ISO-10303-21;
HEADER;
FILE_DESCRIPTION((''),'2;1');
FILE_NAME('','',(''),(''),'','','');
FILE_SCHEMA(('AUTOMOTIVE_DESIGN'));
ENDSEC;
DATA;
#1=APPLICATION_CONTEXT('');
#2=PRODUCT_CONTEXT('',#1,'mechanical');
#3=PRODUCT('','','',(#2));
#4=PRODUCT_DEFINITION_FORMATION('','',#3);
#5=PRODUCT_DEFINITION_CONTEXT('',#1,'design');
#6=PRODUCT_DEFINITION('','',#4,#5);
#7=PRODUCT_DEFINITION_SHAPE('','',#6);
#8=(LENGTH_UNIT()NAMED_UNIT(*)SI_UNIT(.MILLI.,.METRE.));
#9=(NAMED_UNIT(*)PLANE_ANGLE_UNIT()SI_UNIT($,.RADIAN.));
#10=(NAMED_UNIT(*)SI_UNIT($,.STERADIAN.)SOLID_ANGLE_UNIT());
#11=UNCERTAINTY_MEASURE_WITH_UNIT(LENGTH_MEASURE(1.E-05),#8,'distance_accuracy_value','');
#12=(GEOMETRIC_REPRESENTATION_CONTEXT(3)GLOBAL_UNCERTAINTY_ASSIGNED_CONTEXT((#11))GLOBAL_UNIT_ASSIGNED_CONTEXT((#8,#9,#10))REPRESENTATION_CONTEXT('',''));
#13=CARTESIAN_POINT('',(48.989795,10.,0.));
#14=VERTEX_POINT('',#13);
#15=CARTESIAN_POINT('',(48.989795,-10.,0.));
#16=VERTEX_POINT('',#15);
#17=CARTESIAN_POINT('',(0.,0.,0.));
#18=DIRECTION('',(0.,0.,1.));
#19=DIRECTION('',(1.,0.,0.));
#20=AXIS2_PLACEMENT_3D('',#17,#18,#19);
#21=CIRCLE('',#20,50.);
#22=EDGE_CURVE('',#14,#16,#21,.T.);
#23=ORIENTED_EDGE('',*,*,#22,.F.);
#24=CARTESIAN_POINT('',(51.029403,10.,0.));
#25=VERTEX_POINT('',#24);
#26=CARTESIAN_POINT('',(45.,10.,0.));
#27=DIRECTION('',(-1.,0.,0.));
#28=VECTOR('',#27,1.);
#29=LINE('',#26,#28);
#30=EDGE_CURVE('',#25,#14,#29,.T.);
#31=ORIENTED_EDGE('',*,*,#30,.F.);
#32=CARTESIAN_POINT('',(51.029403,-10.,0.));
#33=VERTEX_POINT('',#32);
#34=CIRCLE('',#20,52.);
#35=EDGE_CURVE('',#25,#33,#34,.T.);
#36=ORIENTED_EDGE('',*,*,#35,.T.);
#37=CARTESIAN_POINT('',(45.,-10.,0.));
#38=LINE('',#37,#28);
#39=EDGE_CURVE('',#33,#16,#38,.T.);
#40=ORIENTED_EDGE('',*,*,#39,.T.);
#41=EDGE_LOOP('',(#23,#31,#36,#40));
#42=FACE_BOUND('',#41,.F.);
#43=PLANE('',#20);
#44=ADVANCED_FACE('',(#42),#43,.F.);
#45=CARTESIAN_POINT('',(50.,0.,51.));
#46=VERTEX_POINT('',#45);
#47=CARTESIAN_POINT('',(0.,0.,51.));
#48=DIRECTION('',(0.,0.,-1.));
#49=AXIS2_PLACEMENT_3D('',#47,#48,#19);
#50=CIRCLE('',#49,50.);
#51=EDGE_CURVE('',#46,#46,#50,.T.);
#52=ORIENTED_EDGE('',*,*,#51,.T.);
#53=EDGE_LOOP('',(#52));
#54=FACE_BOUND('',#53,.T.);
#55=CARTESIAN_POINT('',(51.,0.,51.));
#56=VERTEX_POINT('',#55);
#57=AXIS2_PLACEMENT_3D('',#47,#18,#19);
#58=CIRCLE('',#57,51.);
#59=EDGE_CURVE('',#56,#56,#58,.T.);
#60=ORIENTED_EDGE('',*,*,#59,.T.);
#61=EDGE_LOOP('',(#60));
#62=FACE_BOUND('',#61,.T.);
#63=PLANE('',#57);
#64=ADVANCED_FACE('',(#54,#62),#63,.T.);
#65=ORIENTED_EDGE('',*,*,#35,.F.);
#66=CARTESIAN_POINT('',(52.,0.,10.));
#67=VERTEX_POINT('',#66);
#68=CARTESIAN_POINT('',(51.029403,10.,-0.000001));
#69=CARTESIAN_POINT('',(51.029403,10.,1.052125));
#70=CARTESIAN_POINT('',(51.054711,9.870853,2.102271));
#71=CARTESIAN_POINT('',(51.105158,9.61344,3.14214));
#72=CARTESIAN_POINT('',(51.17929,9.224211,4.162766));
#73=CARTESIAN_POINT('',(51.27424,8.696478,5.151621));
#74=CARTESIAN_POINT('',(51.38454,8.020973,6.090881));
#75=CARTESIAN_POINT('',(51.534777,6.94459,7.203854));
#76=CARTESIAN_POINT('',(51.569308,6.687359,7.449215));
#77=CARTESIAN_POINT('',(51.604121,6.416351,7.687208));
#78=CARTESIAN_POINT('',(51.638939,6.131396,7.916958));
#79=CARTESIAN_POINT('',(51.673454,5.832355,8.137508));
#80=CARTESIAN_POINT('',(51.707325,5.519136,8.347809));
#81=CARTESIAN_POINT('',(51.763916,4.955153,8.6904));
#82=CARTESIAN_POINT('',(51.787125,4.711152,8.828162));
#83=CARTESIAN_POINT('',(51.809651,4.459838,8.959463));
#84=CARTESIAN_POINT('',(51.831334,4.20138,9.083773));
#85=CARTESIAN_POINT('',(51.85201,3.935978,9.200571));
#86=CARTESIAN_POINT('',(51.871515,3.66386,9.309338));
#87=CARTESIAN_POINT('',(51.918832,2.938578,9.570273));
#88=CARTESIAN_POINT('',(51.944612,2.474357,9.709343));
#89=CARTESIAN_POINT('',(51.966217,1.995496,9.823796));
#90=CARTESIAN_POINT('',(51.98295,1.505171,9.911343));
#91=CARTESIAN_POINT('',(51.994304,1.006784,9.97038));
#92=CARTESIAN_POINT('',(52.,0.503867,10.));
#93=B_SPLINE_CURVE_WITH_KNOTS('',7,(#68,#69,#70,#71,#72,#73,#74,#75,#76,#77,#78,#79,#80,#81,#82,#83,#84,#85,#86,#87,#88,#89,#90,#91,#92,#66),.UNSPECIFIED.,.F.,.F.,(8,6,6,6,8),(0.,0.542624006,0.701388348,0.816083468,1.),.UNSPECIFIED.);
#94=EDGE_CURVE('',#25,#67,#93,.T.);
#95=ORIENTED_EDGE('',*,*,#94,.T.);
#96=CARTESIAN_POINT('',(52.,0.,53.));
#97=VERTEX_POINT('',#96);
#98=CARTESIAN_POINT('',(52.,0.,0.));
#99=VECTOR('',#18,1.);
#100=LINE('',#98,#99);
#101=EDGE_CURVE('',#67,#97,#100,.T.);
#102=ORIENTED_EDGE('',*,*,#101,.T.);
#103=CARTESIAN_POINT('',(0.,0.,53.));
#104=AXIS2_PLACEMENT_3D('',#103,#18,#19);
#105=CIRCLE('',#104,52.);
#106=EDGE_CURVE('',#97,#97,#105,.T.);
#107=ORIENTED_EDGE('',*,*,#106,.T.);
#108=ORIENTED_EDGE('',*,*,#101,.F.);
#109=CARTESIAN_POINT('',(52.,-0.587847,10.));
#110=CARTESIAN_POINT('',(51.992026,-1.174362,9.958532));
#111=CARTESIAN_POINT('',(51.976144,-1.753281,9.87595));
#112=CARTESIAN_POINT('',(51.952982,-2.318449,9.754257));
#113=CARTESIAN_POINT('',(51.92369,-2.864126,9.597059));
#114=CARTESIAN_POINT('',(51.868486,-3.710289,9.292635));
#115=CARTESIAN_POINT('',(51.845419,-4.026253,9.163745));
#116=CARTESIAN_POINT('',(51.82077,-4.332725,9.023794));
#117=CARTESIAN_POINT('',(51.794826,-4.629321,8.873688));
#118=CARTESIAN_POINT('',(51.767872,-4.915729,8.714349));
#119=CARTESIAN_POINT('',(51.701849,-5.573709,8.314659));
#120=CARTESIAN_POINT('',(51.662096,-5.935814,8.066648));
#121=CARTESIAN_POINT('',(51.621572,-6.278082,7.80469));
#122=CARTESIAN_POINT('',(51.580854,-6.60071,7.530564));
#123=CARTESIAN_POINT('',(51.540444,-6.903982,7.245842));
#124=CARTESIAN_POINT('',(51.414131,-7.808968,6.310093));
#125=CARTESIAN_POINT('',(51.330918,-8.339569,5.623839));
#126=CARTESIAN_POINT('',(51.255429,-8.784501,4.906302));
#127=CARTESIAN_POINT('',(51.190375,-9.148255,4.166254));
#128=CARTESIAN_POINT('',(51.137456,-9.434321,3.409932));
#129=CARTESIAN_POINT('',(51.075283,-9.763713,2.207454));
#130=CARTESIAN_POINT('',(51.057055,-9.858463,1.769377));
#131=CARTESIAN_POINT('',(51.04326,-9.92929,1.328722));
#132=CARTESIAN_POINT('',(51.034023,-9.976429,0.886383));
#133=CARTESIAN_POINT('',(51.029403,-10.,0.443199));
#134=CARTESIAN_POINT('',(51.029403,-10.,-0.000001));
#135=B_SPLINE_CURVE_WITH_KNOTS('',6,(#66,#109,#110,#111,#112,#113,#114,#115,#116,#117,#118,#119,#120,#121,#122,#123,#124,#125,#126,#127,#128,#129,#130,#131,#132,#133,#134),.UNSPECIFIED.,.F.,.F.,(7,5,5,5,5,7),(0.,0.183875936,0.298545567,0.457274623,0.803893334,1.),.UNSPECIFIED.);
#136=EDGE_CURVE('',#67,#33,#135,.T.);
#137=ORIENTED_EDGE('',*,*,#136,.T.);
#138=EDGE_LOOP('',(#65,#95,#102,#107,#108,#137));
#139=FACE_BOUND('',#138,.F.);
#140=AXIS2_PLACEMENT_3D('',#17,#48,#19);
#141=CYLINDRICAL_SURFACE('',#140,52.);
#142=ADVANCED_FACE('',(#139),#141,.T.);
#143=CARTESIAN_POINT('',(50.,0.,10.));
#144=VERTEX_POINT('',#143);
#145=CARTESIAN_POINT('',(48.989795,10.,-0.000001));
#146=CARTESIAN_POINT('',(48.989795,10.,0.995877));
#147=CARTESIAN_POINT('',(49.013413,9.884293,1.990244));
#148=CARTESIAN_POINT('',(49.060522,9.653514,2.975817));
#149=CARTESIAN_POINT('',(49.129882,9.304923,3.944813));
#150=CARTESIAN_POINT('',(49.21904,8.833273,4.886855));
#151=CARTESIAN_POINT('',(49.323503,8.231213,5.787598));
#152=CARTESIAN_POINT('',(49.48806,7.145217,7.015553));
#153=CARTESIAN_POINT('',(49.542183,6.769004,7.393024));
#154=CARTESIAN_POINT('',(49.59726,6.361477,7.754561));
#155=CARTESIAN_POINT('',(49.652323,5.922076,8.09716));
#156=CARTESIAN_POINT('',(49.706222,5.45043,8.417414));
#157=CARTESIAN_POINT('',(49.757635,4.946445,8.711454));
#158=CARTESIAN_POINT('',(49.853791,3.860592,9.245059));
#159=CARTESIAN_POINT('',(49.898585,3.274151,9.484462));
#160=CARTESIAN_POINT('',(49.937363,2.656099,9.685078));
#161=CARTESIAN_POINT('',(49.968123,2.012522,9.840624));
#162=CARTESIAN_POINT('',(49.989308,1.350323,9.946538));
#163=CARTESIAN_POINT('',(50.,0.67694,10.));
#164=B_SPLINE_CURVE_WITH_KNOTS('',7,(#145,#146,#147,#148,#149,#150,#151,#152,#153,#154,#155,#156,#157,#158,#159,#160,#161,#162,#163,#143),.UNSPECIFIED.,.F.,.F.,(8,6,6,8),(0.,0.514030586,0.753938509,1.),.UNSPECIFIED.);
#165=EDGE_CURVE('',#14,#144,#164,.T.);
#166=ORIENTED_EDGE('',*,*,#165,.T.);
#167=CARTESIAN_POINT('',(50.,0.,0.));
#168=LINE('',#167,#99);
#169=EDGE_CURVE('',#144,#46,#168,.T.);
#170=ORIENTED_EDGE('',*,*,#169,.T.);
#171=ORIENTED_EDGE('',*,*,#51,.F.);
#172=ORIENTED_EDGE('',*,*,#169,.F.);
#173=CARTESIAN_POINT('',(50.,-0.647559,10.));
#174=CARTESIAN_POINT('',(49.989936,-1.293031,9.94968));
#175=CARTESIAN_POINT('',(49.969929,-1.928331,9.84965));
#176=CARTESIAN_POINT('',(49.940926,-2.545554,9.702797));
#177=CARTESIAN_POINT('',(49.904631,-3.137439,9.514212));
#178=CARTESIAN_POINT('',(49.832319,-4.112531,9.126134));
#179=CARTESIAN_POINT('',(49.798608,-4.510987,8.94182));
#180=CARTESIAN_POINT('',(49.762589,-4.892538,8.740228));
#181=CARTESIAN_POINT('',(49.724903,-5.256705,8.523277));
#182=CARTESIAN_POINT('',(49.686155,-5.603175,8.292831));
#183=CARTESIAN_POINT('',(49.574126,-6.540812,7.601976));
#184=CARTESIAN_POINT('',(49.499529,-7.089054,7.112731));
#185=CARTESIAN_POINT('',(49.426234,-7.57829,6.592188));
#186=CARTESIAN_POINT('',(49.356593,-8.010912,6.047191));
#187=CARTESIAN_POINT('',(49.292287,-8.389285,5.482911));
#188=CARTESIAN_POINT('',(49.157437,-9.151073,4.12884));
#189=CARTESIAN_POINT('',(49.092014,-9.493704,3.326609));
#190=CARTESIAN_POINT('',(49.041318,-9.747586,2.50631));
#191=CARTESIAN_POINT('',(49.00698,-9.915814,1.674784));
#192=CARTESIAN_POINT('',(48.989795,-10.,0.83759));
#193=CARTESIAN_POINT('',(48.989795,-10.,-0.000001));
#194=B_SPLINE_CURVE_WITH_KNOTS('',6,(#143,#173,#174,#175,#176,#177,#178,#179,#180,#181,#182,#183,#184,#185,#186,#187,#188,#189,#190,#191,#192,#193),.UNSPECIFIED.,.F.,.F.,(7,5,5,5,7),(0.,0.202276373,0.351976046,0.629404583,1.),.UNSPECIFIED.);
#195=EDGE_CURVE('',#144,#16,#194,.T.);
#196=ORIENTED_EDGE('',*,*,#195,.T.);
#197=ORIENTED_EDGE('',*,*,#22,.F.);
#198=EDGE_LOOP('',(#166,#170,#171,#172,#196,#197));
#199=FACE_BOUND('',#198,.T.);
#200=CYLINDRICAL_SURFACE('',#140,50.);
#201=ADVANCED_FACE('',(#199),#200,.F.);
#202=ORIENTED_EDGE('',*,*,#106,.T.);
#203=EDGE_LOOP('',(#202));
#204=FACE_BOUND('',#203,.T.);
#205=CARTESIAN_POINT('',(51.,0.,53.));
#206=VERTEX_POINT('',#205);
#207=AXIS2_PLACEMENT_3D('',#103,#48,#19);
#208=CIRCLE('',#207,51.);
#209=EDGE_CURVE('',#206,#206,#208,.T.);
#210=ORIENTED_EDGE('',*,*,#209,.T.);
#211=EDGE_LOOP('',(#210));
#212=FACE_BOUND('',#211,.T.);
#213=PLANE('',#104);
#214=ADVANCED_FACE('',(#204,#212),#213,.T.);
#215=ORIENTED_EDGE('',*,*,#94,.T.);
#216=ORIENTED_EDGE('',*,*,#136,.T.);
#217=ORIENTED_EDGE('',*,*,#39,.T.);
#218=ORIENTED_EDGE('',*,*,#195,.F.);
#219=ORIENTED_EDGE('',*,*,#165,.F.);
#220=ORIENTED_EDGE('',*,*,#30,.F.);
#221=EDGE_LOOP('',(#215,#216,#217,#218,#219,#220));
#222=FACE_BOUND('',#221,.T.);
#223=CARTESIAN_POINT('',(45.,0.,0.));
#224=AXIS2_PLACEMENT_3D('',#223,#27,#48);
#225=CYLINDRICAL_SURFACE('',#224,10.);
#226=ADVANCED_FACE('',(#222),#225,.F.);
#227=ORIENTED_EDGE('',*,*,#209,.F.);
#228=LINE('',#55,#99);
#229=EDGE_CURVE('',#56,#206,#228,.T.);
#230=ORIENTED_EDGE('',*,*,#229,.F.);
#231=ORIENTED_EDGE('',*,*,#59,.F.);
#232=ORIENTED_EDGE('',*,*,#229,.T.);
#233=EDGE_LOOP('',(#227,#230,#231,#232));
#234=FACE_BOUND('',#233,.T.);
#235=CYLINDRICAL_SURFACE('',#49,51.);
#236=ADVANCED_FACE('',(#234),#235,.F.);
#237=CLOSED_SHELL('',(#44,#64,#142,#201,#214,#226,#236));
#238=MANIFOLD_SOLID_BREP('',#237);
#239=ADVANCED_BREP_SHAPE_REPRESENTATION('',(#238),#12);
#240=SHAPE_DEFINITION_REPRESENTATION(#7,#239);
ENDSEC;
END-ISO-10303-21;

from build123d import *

# Parameters (mm, degrees)
CYLINDER009_R           = 51
CYLINDER009_DEPTH       = 16
CYLINDER006_R           = 10
CYLINDER006_DEPTH       = 10
CYLINDER006_PITCH_ANGLE = 90
CYLINDER005_R           = 50
CYLINDER005_DEPTH       = 67
CYLINDER004_R           = 52
CYLINDER004_DEPTH       = 53


with BuildPart() as cylinder004:
    # Cylinder009 → Cylinder009 (new body)
    with BuildSketch(Plane.XY.offset(51)):
        Circle(CYLINDER009_R)
    extrude(amount=CYLINDER009_DEPTH)


with BuildPart() as wire_hole:
    # Cylinder006 → Cylinder006 (new body)
    with BuildSketch(Plane.XY):
        Circle(CYLINDER006_R)
    extrude(amount=CYLINDER006_DEPTH)


with BuildPart() as wire_hole_1:
    # Cylinder006 pitch: moved
    add(wire_hole.part.rotate(Axis((0, 0, 0), (0, 1, 0)), CYLINDER006_PITCH_ANGLE))


with BuildPart() as wire_hole_2:
    # Cylinder006 placement: moved
    add(wire_hole_1.part.moved(Location((45, 0, 0))))


with BuildPart() as inner:
    # Cylinder005 → Cylinder005 (new body)
    with BuildSketch(Plane.XY):
        Circle(CYLINDER005_R)
    extrude(amount=CYLINDER005_DEPTH)


with BuildPart() as case_with_edge:
    # Cylinder004 → Cylinder004 (new body)
    with BuildSketch(Plane.XY):
        Circle(CYLINDER004_R)
    extrude(amount=CYLINDER004_DEPTH)

    # Cut002: cut Inner
    add(inner.part, mode=Mode.SUBTRACT)

    # Cut003: cut Wire hole
    add(wire_hole_2.part, mode=Mode.SUBTRACT)

    # Cut005: cut Cylinder004
    add(cylinder004.part, mode=Mode.SUBTRACT)


solid = case_with_edge.part
